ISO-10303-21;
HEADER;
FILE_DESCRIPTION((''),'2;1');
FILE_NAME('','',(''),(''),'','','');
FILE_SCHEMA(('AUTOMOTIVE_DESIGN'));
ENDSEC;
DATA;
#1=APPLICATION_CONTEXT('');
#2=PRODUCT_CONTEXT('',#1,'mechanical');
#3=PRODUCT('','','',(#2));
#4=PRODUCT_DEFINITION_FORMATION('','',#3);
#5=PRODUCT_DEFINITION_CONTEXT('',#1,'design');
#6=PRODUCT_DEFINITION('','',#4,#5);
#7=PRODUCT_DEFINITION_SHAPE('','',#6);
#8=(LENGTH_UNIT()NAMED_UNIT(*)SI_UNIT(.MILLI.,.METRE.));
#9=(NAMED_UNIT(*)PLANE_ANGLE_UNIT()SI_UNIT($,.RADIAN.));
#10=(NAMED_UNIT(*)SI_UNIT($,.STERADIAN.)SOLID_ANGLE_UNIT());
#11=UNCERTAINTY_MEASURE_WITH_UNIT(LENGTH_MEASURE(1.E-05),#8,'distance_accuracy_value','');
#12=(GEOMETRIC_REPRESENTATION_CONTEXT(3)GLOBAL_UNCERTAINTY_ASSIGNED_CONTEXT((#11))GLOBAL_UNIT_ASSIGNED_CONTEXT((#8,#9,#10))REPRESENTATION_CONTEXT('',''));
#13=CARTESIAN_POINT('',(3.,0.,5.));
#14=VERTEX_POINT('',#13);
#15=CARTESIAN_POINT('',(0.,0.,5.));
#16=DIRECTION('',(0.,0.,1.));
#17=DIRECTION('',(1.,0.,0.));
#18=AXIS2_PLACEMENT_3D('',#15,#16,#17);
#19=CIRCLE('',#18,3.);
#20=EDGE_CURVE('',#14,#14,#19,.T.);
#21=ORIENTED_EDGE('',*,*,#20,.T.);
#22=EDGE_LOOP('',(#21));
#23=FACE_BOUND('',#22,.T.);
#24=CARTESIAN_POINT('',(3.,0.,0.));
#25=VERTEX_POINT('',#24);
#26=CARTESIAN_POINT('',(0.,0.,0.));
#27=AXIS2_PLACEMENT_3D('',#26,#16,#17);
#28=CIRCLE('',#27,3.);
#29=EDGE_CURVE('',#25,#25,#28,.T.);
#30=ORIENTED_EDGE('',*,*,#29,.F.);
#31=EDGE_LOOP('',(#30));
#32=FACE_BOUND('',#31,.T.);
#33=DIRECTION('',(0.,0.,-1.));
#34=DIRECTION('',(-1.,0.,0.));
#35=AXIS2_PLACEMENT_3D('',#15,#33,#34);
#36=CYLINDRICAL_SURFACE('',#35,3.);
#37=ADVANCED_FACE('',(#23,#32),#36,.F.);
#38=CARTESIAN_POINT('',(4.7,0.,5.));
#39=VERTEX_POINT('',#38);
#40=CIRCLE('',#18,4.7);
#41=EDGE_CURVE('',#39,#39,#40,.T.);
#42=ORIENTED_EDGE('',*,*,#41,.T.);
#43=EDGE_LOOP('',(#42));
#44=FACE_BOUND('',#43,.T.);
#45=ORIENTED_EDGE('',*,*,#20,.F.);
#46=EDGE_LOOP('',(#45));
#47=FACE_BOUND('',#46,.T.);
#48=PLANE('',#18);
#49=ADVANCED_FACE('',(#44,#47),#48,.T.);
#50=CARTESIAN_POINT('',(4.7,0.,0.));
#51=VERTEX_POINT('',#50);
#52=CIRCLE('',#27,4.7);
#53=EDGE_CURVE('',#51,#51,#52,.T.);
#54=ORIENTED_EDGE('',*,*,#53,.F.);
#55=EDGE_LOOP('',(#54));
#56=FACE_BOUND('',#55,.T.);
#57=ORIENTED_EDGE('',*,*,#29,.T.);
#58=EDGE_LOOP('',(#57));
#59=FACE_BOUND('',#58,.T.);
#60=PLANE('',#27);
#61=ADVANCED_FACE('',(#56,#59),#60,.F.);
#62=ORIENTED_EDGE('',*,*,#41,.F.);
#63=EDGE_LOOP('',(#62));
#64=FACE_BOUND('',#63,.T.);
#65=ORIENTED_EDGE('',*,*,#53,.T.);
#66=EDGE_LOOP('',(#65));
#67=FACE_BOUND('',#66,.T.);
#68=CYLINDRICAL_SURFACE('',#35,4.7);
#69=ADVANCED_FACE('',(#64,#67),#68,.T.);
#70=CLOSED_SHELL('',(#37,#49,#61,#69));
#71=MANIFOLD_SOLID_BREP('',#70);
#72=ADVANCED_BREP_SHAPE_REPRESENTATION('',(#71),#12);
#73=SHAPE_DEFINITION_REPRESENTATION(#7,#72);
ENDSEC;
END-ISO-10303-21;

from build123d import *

# Parameters (mm, degrees)
SKETCH1_R      = 4.7
SKETCH1_R_2    = 3
EXTRUDE1_DEPTH = 5


with BuildPart() as part:
    # Sketch1 → Extrude1 (new body)
    with BuildSketch(Plane.XY):
        Circle(SKETCH1_R)
        Circle(SKETCH1_R_2, mode=Mode.SUBTRACT)
    extrude(amount=EXTRUDE1_DEPTH)


solid = part.part
